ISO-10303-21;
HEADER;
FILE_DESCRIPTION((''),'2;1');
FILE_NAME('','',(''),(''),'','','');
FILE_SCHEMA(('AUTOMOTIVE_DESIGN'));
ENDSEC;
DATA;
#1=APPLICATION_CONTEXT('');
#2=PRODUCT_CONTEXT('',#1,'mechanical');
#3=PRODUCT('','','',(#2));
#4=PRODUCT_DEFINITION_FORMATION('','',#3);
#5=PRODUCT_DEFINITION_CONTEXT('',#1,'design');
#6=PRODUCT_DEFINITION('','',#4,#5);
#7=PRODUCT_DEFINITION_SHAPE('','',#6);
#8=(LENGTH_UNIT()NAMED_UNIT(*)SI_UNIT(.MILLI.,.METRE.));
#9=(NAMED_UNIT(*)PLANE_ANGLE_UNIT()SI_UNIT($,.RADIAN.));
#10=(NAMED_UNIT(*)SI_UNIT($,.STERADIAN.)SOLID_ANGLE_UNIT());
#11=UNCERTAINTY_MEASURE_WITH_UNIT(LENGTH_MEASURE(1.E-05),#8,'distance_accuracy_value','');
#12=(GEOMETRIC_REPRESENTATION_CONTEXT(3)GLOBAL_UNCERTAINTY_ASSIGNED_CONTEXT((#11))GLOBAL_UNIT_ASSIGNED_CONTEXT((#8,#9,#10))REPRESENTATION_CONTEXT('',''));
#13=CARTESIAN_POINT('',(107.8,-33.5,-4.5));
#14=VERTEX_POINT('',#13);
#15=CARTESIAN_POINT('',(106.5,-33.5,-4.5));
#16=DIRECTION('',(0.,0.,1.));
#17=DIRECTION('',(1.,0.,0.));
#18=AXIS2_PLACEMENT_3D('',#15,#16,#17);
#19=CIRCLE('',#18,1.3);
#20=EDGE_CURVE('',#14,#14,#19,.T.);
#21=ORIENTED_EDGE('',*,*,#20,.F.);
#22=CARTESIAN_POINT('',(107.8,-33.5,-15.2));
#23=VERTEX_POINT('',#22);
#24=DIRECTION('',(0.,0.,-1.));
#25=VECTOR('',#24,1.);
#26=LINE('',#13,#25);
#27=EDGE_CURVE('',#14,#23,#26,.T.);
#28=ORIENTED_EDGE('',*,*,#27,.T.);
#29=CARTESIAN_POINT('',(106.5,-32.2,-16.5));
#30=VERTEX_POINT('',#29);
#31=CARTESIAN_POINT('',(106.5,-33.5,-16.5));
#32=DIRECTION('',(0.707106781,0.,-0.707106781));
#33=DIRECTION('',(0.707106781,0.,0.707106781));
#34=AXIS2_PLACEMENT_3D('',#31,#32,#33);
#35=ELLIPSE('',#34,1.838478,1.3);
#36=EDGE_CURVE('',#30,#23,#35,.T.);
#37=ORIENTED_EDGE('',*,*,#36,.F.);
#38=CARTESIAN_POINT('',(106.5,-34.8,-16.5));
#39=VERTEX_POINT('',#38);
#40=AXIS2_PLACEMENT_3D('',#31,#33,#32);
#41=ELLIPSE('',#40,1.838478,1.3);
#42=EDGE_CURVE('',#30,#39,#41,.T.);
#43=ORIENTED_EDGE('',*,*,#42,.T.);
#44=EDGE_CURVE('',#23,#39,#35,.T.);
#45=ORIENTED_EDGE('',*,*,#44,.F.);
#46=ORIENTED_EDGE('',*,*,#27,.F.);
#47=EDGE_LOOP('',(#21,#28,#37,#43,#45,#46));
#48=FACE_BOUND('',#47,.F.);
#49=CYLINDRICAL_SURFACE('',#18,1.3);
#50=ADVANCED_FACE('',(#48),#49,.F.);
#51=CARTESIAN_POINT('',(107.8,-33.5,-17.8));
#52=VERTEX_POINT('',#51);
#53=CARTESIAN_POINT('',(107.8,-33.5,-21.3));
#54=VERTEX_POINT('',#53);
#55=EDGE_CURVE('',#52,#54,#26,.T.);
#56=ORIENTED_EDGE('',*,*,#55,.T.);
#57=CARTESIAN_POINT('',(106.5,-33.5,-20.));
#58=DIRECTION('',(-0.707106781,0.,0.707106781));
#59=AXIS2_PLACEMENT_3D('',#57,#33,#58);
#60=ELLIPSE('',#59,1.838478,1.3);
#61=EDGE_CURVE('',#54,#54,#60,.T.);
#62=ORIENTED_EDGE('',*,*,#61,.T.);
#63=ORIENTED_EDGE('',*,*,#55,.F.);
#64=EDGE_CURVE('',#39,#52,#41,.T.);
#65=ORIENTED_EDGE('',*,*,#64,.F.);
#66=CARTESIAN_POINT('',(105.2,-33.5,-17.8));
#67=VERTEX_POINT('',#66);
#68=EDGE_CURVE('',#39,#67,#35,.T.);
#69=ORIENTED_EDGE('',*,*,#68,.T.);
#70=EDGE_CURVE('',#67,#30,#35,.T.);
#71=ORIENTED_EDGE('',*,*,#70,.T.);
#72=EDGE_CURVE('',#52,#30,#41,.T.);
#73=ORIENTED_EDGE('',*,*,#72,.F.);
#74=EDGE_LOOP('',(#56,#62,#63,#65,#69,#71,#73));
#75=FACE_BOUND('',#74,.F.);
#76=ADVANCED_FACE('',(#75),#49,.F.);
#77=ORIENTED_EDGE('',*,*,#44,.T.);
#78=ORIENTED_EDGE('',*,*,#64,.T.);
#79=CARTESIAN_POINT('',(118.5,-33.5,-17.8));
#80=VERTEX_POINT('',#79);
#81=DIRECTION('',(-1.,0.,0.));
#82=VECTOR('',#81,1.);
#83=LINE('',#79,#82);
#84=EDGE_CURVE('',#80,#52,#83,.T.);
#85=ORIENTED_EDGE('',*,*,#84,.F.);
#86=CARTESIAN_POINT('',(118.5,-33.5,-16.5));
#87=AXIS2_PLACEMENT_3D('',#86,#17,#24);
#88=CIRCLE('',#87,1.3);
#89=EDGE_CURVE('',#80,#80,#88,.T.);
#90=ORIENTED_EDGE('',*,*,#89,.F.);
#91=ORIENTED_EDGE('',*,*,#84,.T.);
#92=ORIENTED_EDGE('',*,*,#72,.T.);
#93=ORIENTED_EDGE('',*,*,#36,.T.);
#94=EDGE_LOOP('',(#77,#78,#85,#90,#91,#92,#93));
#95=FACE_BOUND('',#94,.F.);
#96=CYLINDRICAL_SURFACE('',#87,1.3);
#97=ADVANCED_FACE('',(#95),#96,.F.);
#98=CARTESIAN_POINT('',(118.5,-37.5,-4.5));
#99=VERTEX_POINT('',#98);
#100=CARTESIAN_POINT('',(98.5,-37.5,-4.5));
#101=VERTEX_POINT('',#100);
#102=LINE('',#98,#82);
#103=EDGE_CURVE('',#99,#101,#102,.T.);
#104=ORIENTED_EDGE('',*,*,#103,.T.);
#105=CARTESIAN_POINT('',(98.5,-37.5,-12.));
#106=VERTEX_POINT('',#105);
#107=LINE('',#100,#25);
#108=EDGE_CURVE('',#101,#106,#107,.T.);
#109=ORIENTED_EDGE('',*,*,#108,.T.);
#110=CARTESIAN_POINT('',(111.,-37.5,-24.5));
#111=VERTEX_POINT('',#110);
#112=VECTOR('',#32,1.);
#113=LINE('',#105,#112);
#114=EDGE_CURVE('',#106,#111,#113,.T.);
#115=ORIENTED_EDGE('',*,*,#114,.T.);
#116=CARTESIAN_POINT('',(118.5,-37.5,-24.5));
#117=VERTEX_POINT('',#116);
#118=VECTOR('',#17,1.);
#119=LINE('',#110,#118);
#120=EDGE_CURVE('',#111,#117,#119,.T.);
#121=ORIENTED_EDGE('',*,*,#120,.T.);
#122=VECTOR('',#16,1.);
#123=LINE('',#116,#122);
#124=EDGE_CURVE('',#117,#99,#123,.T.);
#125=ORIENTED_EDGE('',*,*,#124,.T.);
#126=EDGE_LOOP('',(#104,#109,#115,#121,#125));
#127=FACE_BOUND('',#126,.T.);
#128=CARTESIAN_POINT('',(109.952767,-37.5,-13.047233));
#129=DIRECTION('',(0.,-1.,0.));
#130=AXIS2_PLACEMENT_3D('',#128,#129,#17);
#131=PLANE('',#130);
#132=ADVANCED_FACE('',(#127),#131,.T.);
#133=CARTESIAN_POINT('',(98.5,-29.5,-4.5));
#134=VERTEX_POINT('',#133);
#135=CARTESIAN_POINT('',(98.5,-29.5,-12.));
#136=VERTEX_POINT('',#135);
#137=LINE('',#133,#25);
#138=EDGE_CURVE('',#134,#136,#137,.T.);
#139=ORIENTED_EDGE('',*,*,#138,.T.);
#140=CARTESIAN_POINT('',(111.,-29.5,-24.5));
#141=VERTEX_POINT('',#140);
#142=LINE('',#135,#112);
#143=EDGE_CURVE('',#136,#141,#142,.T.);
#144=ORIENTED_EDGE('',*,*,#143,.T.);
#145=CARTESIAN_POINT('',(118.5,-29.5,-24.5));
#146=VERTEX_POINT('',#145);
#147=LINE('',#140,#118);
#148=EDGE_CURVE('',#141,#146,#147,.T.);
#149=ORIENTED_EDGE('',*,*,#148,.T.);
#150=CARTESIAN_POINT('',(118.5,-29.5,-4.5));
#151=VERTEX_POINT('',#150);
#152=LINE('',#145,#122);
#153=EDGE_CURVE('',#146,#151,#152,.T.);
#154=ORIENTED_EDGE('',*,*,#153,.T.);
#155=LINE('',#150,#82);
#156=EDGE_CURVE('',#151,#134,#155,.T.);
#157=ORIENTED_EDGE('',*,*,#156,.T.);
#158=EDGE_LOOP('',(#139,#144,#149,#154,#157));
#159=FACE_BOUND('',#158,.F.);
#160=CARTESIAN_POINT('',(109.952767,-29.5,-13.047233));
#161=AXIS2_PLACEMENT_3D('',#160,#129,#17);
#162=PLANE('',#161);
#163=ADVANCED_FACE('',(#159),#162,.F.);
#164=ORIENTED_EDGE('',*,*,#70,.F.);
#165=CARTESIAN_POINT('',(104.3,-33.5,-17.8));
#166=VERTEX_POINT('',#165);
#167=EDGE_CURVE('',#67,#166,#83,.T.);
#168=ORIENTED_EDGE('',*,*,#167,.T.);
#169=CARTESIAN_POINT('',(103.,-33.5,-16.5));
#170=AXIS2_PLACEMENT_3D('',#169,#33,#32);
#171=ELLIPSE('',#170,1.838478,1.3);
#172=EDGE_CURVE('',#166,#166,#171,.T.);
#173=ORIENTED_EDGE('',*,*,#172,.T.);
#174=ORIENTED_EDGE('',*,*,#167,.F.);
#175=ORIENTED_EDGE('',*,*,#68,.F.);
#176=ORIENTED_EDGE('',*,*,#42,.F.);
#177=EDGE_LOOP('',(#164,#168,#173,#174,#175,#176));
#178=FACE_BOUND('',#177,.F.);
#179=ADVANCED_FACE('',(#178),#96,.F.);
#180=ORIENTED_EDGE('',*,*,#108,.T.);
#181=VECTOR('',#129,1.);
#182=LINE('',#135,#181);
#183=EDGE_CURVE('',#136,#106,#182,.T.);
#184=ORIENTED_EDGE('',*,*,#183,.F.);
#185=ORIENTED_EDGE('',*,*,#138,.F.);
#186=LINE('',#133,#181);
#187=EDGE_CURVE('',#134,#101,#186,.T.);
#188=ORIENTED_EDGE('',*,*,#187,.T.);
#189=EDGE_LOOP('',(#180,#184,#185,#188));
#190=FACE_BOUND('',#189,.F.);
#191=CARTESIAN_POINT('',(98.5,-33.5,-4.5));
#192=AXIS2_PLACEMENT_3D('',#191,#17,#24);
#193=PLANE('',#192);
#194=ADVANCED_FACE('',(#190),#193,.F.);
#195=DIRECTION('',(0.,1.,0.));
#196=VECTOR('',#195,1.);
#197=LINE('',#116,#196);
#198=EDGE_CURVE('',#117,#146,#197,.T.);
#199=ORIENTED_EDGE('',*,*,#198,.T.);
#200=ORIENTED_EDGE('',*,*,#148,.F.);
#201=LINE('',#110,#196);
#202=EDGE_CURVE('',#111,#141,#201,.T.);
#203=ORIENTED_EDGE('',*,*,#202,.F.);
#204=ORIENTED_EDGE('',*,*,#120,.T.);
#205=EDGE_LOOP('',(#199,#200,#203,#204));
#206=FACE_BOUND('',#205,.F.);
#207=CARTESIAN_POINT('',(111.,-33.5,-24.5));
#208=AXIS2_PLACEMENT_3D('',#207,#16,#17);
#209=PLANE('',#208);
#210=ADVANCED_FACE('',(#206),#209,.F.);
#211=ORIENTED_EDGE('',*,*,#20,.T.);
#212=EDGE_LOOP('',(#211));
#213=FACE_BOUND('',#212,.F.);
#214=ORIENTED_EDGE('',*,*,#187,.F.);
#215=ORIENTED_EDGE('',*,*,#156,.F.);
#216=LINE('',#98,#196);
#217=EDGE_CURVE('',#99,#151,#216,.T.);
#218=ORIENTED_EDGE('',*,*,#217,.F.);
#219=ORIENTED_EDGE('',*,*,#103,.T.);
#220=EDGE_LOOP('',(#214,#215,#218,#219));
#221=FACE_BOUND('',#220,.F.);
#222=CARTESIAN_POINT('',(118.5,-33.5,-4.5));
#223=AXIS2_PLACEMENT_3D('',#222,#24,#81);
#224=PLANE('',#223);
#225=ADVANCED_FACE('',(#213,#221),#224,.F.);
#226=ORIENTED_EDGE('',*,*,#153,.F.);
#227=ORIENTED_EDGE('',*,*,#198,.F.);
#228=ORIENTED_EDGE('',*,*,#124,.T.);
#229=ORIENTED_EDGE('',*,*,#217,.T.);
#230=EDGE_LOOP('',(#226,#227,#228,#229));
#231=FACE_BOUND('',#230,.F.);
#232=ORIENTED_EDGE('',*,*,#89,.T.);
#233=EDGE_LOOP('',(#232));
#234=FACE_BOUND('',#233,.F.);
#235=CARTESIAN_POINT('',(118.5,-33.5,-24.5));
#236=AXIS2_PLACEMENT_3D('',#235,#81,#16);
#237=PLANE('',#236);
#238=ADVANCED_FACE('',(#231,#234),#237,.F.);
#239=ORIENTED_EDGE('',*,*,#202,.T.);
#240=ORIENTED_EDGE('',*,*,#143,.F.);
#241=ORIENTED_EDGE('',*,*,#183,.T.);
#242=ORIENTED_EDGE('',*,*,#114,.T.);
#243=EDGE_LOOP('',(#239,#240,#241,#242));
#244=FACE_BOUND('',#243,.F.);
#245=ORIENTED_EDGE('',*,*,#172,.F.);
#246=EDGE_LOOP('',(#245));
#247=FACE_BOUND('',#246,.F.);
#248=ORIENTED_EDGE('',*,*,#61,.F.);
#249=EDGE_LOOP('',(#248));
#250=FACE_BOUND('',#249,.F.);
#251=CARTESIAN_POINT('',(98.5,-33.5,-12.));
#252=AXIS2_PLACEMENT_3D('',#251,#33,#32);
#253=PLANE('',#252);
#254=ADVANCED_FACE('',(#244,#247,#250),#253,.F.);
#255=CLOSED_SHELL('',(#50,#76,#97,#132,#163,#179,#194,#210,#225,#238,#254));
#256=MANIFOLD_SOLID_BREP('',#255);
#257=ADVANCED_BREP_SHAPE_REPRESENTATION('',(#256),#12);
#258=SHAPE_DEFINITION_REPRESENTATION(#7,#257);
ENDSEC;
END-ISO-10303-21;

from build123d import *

# Parameters (mm, degrees)
PAD024_DEPTH      = 4
PAD024_DEPTH_BACK = 4
SKETCH047_R       = 1.3
POCKET_DEPTH      = 20.001
SKETCH048_R       = 1.3
POCKET001_DEPTH   = 20.001


with BuildPart() as part:
    # Sketch046 → Pad024 (new body, two sides)
    with BuildSketch(Plane(origin=(118.5, -33.5, -4.5), x_dir=(-1, 0, 0), z_dir=(0, 1, 0))) as pad024_sk:
        Polygon((0, 0), (20, 0), (20, -7.5), (7.5, -20), (0, -20), align=None)
    extrude(amount=PAD024_DEPTH)
    extrude(pad024_sk.sketch, amount=-PAD024_DEPTH_BACK)

    # Sketch047 → Pocket (cut, through all)
    with BuildSketch(Plane(origin=(118.5, -33.5, -4.5), x_dir=(0, 0, -1), z_dir=(1, 0, 0))):
        with Locations((12, 0)):
            Circle(SKETCH047_R)
    extrude(amount=-POCKET_DEPTH, mode=Mode.SUBTRACT)

    # Sketch048 → Pocket001 (cut, through all)
    with BuildSketch(Plane(origin=(118.5, -33.5, -4.5), x_dir=(1, 0, 0), z_dir=(0, 0, 1))):
        with Locations((-12, 0)):
            Circle(SKETCH048_R)
    extrude(amount=-POCKET001_DEPTH, mode=Mode.SUBTRACT)


solid = part.part
